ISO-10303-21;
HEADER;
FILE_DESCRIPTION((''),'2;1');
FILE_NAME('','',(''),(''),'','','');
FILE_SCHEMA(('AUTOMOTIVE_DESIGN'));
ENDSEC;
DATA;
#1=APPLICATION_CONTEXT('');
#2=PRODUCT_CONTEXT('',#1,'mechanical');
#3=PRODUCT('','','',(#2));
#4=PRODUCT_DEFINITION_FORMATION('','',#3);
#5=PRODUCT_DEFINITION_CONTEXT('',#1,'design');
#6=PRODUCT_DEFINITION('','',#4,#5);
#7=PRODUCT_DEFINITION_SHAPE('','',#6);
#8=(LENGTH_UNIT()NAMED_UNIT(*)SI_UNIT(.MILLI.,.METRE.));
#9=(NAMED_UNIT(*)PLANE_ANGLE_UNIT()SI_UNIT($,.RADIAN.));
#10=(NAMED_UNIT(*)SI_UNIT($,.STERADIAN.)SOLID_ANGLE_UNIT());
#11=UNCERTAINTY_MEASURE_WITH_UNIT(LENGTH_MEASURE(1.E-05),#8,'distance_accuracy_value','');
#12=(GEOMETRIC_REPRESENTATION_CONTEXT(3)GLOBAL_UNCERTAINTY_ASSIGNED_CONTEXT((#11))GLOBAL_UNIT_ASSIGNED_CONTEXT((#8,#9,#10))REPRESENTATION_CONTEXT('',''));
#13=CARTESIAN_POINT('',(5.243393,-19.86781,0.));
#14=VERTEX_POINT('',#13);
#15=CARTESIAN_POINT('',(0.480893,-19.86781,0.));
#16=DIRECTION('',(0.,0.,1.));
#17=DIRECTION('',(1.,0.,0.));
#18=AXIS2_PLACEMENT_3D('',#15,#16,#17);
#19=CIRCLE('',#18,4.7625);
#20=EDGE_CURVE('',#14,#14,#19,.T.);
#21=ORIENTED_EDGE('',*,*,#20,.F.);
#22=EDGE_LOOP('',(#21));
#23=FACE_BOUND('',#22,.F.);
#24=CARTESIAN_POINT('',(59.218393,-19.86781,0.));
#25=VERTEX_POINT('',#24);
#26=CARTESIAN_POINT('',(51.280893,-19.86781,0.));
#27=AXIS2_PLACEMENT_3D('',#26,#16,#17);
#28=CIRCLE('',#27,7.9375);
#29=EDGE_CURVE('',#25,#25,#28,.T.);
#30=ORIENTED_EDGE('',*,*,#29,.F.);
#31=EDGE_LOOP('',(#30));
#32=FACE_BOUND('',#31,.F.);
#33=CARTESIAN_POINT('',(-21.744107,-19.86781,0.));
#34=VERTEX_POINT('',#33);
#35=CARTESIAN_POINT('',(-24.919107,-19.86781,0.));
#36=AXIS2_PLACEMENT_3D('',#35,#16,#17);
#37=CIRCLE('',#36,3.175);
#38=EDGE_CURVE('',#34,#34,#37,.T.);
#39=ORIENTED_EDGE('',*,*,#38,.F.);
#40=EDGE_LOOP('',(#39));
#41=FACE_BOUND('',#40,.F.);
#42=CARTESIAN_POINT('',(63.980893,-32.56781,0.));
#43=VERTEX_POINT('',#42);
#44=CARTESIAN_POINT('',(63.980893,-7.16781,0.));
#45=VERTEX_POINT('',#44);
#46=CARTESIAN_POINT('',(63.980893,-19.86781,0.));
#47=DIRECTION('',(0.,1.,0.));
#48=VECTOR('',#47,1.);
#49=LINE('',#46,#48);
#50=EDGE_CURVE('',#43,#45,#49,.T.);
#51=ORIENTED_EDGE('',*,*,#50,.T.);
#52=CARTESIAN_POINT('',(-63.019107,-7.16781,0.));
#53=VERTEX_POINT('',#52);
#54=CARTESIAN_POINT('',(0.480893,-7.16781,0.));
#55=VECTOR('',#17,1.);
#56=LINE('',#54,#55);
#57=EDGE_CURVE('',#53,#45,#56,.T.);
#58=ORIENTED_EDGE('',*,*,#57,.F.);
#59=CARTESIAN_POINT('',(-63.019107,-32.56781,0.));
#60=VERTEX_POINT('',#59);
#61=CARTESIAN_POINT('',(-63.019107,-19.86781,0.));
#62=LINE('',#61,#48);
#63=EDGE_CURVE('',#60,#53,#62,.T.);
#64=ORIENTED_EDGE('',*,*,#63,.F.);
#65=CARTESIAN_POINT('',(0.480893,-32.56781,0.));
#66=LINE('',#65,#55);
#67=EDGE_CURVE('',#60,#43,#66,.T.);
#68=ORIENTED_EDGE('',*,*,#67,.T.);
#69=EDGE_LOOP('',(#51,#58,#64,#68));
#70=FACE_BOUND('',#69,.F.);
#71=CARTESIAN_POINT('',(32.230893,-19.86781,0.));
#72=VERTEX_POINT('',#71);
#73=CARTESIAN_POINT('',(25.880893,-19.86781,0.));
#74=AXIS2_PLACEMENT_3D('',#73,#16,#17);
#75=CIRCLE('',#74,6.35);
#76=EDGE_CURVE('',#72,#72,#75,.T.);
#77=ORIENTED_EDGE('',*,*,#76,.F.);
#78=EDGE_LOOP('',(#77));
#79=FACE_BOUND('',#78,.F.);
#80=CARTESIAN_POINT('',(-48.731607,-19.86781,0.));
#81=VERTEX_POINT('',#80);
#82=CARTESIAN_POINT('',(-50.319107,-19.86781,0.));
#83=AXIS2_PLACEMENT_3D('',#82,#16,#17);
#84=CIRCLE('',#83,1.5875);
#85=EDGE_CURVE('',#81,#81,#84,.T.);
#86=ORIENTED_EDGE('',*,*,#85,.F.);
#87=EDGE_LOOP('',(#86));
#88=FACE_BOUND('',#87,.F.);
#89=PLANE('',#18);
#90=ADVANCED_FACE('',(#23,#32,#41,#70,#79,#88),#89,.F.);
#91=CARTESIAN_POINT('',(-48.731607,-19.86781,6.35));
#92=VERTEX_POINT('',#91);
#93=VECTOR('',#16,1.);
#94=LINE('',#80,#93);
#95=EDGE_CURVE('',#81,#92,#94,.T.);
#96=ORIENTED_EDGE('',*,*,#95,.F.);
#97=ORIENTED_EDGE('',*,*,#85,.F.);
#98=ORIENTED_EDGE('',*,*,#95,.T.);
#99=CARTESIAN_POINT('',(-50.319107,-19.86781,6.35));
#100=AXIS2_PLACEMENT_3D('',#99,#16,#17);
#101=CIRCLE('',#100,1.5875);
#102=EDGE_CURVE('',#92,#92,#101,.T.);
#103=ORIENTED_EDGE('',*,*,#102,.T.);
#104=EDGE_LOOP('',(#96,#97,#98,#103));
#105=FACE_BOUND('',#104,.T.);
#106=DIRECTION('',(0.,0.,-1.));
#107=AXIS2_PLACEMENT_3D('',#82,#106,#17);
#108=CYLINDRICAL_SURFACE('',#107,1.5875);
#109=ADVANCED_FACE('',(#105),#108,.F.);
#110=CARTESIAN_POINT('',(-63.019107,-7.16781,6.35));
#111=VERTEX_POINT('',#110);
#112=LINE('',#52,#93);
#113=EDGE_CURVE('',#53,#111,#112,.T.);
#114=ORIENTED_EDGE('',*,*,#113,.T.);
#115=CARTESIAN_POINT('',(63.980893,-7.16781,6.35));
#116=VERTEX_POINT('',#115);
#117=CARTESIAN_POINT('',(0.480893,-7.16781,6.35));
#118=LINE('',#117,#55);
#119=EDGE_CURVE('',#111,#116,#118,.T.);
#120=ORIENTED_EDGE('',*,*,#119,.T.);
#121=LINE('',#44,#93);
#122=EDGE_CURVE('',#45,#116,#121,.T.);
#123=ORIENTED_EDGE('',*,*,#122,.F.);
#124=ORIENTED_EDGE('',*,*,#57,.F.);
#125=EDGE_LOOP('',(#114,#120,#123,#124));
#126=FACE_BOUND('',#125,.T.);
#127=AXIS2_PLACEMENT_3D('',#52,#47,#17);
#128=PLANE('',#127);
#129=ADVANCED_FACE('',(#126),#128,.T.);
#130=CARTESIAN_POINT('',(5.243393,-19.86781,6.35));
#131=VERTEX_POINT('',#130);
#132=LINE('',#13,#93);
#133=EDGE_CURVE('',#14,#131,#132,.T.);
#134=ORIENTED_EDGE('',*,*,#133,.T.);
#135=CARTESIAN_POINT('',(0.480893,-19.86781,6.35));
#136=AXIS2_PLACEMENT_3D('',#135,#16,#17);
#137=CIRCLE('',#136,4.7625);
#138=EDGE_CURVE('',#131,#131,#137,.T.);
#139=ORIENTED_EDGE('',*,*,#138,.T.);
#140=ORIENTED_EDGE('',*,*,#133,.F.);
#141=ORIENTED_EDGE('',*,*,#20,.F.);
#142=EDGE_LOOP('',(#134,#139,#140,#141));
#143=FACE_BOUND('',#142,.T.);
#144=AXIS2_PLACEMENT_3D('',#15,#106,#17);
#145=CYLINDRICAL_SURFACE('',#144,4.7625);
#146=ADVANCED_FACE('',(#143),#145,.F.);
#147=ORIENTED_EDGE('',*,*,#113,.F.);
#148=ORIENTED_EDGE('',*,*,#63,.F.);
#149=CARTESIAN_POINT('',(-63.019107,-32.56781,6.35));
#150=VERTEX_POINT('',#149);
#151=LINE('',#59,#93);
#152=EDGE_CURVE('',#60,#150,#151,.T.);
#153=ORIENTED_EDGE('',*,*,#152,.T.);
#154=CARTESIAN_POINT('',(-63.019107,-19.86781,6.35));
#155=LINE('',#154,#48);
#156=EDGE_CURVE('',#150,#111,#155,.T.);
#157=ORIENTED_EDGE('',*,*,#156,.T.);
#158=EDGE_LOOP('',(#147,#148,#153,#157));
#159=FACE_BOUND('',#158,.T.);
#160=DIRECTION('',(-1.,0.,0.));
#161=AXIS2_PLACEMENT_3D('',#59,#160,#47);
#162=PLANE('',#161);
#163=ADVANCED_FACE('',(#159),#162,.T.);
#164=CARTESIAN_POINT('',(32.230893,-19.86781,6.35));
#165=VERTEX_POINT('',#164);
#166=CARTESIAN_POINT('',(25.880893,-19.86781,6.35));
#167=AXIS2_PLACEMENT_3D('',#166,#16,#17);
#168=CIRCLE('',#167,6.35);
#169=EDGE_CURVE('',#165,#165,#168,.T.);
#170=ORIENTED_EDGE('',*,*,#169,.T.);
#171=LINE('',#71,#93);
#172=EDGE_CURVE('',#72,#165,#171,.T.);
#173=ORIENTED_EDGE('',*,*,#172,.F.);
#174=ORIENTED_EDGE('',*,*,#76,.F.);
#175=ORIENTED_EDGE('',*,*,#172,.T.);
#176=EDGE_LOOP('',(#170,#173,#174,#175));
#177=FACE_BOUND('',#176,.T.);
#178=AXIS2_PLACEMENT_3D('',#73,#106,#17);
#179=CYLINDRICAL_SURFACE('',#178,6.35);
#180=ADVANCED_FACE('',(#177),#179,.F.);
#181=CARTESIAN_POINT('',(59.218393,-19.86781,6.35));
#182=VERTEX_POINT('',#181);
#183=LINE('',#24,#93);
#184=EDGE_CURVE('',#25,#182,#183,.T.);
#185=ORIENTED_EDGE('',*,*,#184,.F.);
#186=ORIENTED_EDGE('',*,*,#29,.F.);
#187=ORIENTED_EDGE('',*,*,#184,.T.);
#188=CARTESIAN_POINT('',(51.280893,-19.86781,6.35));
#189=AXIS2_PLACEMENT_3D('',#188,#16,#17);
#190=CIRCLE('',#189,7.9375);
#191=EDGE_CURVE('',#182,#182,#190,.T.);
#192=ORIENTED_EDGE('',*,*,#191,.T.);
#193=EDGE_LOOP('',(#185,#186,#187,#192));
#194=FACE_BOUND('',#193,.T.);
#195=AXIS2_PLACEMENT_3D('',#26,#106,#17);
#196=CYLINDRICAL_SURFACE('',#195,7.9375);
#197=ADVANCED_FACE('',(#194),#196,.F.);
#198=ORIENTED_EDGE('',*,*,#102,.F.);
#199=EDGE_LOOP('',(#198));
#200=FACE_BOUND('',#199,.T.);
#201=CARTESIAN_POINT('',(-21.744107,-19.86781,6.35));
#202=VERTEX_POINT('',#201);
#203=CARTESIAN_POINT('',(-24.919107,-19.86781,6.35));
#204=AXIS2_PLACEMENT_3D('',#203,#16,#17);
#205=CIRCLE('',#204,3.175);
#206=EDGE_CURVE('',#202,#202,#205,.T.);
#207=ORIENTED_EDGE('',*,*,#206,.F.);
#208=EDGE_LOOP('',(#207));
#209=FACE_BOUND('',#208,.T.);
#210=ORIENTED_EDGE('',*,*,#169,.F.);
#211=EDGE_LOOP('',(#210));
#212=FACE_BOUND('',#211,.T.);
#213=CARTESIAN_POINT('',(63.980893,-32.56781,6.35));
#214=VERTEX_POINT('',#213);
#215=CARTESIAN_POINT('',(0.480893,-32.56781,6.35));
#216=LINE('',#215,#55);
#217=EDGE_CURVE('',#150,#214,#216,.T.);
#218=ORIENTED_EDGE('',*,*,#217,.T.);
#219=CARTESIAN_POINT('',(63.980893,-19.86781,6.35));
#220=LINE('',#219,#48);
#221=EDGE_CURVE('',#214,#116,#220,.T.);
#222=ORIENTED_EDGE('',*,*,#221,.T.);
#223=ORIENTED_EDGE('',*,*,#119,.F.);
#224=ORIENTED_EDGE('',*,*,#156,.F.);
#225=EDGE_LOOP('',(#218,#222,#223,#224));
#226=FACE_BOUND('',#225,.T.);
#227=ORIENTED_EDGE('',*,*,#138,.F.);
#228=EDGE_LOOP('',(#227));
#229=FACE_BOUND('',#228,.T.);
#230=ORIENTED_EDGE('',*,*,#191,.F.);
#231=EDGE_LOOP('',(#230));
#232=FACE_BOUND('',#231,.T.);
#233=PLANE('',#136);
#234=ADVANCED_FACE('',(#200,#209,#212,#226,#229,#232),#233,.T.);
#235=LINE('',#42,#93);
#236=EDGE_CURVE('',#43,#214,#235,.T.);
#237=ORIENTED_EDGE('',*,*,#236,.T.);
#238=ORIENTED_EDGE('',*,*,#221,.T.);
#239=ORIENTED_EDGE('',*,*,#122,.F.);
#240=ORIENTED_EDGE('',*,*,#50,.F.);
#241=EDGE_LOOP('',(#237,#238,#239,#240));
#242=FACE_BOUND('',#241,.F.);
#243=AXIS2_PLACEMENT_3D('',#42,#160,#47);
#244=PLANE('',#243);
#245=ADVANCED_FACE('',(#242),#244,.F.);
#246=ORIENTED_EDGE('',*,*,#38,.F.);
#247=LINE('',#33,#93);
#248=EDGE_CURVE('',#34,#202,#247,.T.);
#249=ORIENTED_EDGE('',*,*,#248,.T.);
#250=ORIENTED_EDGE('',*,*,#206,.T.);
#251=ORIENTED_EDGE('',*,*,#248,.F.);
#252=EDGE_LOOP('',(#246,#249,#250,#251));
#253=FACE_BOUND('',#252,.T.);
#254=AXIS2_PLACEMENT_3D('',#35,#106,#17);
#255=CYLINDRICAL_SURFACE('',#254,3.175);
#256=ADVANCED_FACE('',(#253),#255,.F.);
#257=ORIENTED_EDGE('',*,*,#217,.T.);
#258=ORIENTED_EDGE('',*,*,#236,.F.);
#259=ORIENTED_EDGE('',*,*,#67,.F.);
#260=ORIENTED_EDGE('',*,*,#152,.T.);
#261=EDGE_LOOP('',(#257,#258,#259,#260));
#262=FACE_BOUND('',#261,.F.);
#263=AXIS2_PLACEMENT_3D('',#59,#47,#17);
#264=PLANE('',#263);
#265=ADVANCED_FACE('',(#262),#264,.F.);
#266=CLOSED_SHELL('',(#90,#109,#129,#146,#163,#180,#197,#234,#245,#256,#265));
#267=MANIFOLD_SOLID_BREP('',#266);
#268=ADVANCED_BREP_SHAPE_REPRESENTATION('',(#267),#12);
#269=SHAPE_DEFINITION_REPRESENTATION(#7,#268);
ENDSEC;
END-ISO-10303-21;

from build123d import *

# Parameters (mm, degrees)
F0_W     = 127
F0_H     = 25.4
F0_R     = 1.5875
F0_R_2   = 3.175
F0_R_3   = 4.7625
F0_R_4   = 6.35
F0_R_5   = 7.9375
F1_DEPTH = 6.35


with BuildPart() as f1:
    # F0 (on Top) → F1 (new body)
    with BuildSketch(Plane.XY):
        with Locations((0.480893, -19.86781)):
            Rectangle(F0_W, F0_H)
        with Locations((-50.319107, -19.86781)):
            Circle(F0_R, mode=Mode.SUBTRACT)
        with Locations((-24.919107, -19.86781)):
            Circle(F0_R_2, mode=Mode.SUBTRACT)
        with Locations((0.480893, -19.86781)):
            Circle(F0_R_3, mode=Mode.SUBTRACT)
        with Locations((25.880893, -19.86781)):
            Circle(F0_R_4, mode=Mode.SUBTRACT)
        with Locations((51.280893, -19.86781)):
            Circle(F0_R_5, mode=Mode.SUBTRACT)
    extrude(amount=F1_DEPTH)


solid = f1.part
